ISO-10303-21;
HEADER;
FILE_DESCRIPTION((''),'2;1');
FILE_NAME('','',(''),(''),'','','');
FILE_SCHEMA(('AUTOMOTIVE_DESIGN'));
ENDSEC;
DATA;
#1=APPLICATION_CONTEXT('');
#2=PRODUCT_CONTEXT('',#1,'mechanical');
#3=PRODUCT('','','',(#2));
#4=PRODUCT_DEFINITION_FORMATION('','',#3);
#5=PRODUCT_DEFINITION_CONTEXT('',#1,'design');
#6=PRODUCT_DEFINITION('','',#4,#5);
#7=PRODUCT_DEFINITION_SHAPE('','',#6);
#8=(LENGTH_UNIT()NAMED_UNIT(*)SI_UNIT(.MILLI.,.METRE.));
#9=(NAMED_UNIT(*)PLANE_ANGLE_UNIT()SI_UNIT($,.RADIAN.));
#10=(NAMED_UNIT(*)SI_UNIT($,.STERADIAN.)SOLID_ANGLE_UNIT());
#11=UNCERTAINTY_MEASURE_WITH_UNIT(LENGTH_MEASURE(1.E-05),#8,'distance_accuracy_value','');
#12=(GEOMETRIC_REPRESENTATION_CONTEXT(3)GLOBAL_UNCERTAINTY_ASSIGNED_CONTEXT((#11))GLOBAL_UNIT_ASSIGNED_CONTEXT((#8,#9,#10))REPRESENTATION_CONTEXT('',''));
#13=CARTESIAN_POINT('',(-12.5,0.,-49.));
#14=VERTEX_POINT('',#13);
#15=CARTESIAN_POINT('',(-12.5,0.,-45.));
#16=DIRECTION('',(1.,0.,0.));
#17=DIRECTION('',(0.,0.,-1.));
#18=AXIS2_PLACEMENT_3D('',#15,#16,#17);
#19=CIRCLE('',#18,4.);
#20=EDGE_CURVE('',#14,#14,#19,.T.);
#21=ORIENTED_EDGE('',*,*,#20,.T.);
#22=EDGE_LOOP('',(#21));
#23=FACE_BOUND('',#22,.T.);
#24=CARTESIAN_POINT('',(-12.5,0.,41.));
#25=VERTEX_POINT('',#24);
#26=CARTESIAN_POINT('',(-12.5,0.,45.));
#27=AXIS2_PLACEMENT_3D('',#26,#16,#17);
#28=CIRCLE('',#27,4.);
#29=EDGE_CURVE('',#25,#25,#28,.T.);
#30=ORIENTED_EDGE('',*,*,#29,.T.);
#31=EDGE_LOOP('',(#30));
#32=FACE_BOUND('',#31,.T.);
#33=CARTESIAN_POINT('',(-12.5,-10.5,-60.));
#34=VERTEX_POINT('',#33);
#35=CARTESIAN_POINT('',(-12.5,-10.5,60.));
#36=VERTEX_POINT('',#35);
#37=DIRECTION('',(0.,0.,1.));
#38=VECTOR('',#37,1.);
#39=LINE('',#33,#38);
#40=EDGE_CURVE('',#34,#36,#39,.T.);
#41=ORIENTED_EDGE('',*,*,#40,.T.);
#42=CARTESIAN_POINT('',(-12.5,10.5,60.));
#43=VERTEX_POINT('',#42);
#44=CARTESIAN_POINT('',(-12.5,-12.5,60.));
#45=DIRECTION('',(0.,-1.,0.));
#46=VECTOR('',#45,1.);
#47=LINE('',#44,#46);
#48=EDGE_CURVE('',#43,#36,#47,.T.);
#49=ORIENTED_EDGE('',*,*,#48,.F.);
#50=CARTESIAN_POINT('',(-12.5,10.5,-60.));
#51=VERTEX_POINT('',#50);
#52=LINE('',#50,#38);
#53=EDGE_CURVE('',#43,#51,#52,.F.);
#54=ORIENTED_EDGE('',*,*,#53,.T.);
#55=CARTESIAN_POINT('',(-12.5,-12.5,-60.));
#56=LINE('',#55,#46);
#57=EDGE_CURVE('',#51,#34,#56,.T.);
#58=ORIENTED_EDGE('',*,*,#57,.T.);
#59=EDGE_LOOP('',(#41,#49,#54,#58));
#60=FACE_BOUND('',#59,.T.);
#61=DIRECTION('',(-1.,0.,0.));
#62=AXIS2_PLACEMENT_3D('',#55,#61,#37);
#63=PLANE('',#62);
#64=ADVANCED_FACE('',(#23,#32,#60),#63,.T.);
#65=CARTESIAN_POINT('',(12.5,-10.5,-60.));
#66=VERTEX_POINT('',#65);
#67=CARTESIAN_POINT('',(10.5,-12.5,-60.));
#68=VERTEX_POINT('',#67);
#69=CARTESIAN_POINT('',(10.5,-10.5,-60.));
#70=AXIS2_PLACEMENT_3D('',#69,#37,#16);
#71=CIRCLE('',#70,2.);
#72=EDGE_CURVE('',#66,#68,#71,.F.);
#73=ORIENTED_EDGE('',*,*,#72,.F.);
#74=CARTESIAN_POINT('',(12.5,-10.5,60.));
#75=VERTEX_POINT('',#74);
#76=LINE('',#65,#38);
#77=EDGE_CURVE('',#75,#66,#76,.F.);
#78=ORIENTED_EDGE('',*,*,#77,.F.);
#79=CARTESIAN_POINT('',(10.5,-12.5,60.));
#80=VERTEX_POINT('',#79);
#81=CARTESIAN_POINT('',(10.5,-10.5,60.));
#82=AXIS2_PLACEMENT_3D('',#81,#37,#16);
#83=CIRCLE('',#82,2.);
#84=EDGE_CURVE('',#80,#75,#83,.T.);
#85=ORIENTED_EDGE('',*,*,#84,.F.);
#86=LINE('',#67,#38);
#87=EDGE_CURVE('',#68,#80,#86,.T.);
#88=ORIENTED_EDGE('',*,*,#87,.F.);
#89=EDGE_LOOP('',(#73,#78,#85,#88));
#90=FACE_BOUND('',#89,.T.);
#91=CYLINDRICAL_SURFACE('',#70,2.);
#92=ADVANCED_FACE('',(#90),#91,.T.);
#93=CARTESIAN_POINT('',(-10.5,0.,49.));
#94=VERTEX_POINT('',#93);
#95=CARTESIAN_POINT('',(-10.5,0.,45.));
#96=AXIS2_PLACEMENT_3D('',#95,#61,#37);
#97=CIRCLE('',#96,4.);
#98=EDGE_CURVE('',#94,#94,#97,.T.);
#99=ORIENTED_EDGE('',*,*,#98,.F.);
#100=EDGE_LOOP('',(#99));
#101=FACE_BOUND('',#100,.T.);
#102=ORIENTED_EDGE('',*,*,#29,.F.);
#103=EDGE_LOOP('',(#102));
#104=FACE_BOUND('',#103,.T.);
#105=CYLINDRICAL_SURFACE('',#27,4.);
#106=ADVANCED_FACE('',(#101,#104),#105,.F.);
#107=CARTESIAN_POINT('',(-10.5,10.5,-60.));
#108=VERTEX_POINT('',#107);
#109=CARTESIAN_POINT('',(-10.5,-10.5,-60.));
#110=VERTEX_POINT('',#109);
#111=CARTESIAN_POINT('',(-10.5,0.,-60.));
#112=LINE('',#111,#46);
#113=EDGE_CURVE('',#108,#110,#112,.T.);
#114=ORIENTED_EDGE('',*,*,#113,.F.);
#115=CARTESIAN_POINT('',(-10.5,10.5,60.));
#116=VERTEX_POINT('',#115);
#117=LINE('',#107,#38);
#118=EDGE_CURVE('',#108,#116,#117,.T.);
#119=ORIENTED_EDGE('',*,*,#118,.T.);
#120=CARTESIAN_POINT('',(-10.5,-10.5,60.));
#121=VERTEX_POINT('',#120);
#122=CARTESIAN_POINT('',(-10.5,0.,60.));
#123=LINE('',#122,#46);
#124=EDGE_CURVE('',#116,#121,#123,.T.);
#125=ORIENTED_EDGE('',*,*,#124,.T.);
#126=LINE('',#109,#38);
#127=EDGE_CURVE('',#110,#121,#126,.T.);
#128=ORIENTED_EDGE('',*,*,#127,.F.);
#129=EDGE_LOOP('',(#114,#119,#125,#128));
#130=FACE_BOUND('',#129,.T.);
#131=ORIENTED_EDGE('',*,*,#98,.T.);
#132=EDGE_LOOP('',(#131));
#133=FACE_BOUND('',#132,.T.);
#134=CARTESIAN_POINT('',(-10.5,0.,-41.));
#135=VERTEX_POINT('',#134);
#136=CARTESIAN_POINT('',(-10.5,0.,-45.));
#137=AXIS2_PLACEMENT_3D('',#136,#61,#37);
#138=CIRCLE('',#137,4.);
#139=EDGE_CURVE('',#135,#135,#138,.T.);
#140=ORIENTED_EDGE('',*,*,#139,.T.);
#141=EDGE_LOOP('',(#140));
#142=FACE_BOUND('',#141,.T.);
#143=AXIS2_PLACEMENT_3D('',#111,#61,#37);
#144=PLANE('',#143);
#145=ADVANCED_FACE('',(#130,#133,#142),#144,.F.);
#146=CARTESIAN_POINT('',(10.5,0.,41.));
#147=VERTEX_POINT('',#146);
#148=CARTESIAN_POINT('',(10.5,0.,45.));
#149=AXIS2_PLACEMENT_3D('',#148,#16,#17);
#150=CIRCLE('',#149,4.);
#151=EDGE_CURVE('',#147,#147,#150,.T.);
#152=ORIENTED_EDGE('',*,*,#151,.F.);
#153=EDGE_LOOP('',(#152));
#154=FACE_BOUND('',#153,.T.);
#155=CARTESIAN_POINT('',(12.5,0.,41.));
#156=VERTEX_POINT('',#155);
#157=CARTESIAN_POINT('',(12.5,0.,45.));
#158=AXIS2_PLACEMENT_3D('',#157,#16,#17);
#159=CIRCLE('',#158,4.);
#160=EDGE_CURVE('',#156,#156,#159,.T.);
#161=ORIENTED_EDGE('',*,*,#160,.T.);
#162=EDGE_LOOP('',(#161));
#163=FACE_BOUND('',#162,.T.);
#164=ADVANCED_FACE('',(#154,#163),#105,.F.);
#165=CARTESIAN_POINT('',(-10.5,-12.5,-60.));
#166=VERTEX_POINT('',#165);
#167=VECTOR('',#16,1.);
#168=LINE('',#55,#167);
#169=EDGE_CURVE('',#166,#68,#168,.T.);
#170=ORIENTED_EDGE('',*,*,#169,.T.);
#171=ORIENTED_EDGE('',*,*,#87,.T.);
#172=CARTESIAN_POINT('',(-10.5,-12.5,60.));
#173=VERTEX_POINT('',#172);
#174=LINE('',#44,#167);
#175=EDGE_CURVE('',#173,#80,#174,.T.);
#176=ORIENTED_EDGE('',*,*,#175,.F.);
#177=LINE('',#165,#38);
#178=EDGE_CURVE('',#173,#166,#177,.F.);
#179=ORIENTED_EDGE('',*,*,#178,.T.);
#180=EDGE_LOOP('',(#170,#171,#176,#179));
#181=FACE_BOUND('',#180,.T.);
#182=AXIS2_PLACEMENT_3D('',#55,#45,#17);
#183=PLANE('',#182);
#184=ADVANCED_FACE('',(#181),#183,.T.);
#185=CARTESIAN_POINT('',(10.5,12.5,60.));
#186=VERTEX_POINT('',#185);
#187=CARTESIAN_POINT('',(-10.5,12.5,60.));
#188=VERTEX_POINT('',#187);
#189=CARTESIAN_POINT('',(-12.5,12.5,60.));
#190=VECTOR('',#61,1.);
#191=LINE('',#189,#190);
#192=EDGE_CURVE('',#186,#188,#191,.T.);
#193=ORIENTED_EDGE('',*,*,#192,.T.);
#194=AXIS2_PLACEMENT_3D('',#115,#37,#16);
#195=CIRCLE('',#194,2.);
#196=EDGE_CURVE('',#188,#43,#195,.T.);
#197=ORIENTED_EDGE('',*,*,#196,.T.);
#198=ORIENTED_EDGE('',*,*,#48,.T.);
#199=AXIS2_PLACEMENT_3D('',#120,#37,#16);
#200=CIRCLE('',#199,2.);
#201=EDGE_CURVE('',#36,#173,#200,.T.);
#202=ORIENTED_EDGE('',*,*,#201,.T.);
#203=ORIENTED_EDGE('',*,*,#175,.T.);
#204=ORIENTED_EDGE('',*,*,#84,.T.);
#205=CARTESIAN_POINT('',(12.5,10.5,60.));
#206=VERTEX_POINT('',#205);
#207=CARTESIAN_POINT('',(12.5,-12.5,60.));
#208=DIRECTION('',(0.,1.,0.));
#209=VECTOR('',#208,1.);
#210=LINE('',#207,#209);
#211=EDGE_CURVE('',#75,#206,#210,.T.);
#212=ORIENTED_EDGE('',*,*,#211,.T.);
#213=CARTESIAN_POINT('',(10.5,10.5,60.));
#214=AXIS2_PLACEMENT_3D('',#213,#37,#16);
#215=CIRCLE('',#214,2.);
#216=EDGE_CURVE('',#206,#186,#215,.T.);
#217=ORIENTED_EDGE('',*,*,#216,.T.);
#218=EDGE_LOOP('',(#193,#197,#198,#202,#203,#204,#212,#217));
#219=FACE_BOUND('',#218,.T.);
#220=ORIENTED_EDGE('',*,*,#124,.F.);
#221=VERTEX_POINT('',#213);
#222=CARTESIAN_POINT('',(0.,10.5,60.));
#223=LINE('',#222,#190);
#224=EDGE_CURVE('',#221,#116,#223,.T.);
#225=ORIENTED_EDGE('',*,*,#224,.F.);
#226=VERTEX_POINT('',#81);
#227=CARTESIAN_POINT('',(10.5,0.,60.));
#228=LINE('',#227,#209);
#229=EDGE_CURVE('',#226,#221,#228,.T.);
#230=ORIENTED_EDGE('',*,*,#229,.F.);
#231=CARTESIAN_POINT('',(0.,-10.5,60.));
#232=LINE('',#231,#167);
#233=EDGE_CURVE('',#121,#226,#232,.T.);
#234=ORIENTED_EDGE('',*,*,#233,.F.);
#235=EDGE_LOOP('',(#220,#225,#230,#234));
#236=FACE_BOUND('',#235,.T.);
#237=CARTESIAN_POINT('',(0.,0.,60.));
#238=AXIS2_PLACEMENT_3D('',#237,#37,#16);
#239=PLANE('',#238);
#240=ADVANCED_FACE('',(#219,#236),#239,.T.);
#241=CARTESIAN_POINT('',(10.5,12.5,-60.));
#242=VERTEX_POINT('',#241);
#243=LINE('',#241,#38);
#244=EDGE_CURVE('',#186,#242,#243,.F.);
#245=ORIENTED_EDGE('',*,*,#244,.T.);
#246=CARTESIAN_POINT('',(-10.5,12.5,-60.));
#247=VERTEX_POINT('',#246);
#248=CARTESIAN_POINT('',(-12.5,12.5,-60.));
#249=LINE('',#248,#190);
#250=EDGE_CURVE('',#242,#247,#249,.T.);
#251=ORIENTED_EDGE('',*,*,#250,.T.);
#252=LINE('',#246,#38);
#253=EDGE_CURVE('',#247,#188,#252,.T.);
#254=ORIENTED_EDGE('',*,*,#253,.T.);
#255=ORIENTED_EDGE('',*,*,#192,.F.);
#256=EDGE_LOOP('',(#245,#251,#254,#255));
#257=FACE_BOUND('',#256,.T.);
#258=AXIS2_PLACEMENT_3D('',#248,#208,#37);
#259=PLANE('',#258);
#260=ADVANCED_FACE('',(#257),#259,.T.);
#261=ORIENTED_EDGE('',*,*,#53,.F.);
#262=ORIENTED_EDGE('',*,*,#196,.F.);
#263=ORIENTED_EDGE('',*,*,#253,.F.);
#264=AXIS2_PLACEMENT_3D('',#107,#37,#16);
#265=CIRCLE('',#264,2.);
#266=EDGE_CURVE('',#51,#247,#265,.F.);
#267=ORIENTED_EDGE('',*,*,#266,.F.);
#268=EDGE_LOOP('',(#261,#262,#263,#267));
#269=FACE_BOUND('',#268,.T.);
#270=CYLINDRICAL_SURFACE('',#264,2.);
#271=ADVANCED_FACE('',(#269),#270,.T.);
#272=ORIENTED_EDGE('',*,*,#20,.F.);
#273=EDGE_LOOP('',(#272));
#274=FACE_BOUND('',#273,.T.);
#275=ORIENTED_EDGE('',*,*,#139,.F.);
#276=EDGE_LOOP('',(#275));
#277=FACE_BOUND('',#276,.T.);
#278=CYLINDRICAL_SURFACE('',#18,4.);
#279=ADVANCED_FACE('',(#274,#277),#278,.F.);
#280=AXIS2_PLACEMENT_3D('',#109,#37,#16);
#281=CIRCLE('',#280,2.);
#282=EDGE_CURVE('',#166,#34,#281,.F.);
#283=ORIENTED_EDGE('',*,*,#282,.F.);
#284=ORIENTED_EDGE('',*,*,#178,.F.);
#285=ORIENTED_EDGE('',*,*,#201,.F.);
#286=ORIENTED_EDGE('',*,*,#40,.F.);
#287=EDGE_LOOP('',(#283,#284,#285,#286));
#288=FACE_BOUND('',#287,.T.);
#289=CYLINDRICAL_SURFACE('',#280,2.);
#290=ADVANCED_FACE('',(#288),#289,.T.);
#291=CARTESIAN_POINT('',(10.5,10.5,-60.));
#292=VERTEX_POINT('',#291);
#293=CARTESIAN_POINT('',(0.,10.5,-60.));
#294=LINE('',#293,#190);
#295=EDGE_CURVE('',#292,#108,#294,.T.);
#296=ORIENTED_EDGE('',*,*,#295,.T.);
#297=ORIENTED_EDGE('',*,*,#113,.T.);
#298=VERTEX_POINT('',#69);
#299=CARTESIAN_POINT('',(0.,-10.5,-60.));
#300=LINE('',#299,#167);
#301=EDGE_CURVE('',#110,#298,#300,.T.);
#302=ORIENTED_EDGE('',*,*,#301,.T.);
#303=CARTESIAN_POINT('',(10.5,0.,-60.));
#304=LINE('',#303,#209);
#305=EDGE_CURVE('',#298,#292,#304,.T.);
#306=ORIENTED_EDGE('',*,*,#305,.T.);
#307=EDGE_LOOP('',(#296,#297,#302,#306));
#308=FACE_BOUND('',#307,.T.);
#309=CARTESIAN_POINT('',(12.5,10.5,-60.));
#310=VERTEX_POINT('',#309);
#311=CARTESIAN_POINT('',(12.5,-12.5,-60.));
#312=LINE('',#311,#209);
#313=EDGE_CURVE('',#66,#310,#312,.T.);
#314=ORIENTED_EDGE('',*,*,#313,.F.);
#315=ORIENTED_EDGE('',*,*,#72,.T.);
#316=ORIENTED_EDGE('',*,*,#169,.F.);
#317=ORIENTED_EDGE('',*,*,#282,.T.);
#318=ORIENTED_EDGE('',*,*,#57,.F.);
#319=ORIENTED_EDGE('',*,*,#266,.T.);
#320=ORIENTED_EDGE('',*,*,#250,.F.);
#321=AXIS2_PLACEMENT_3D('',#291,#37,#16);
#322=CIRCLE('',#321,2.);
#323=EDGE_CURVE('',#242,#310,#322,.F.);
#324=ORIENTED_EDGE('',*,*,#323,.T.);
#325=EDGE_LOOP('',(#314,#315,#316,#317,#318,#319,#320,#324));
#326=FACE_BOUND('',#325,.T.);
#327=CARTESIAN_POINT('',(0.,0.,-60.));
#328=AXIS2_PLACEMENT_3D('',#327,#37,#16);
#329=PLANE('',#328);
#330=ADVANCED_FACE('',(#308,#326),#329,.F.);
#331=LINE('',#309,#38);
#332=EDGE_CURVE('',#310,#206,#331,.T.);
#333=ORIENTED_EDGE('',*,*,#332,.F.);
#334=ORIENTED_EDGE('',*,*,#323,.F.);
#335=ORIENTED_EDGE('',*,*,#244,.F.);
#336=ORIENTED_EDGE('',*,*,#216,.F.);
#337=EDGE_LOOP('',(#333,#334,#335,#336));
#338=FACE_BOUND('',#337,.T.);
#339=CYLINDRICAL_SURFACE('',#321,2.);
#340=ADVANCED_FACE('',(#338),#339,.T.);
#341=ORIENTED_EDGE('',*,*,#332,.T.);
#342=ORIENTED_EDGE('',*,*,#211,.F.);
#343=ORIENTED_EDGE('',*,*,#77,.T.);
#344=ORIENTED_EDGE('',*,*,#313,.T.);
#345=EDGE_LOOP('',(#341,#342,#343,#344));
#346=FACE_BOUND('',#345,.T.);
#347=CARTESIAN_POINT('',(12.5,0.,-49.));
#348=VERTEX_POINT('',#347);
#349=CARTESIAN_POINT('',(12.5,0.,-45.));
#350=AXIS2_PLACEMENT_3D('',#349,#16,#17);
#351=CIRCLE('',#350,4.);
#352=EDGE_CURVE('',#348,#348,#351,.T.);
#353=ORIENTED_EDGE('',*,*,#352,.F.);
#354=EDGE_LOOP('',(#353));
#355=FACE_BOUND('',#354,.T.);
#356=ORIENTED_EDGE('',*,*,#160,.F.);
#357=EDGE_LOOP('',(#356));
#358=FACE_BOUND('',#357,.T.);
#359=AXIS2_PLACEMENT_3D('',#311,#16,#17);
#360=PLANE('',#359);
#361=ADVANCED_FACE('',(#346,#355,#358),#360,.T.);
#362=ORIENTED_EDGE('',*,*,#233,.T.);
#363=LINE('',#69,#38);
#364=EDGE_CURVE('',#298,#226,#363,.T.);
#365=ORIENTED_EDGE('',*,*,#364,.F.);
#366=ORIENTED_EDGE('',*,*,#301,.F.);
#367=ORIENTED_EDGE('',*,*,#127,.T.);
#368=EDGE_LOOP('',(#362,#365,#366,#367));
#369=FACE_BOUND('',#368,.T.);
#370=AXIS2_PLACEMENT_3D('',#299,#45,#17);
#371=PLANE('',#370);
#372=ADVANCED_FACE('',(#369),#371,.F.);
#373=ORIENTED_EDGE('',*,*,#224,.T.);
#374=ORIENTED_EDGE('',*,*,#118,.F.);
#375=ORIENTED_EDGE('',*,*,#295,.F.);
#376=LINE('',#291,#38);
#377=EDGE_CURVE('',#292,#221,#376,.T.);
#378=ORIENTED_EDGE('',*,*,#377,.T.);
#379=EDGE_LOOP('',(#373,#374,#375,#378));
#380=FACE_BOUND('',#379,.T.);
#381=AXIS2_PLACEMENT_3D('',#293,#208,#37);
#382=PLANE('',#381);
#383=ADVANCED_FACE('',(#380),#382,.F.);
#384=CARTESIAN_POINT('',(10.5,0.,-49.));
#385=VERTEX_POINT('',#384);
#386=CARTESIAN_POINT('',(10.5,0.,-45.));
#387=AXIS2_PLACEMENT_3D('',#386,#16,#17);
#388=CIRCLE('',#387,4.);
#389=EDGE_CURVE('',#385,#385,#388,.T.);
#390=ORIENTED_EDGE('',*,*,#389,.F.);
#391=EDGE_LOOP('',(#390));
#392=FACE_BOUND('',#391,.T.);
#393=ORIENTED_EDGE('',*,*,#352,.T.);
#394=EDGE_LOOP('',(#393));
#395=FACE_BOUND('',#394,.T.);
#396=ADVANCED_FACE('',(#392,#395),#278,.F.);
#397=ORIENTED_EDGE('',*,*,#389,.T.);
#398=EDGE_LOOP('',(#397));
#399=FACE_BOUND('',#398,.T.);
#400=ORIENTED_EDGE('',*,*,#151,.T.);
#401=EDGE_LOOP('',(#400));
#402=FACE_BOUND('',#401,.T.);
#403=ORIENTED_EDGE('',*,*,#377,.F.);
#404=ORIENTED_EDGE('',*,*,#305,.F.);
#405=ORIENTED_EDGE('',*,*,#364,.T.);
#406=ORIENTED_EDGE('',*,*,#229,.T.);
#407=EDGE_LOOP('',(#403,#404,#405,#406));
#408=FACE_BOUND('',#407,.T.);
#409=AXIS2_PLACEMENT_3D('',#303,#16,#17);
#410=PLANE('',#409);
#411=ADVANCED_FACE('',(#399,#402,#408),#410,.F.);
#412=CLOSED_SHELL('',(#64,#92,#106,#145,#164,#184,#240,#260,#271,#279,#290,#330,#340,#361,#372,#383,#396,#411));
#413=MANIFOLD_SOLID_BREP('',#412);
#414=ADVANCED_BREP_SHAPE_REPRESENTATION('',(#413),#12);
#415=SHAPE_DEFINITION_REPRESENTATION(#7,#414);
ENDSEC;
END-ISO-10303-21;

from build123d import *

# Parameters (mm, degrees)
EXTRUDE_THIN1_DEPTH      = 60
EXTRUDE_THIN1_DEPTH_BACK = 60
SKETCH1_W                = 25
SKETCH1_H                = 25
SKETCH1_W_2              = 21
SKETCH1_H_2              = 21
FILLET1_R                = 2
SKETCH2_R                = 4
CUT_EXTRUDE1_DEPTH       = 67.191011474


with BuildPart() as part:
    # Sketch1 → Extrude-Thin1 (new, two sides: drawn at the far end of the back side and taken through both)
    with BuildSketch(Plane.XY.offset(-EXTRUDE_THIN1_DEPTH_BACK)):
        Rectangle(SKETCH1_W, SKETCH1_H)
        Rectangle(SKETCH1_W_2, SKETCH1_H_2, mode=Mode.SUBTRACT)
    extrude(amount=EXTRUDE_THIN1_DEPTH + EXTRUDE_THIN1_DEPTH_BACK)

    # Fillet1
    fillet1_edges = [part.edges().sort_by_distance(p)[0] for p in [
        (12.5, -12.5, 0),
        (-12.5, -12.5, 0),
        (-12.5, 12.5, 0),
        (12.5, 12.5, 0),
    ]]
    fillet(fillet1_edges, radius=FILLET1_R)

    # Sketch2 → Cut-Extrude1 (cut, through all)
    with BuildSketch(Plane(origin=(12.5, 0, 0), x_dir=(0, 0, -1), z_dir=(1, 0, 0))):
        with Locations((-45, 0)):
            Circle(SKETCH2_R)
        with Locations((45, 0)):
            Circle(SKETCH2_R)
    extrude(amount=-CUT_EXTRUDE1_DEPTH, mode=Mode.SUBTRACT)


solid = part.part
